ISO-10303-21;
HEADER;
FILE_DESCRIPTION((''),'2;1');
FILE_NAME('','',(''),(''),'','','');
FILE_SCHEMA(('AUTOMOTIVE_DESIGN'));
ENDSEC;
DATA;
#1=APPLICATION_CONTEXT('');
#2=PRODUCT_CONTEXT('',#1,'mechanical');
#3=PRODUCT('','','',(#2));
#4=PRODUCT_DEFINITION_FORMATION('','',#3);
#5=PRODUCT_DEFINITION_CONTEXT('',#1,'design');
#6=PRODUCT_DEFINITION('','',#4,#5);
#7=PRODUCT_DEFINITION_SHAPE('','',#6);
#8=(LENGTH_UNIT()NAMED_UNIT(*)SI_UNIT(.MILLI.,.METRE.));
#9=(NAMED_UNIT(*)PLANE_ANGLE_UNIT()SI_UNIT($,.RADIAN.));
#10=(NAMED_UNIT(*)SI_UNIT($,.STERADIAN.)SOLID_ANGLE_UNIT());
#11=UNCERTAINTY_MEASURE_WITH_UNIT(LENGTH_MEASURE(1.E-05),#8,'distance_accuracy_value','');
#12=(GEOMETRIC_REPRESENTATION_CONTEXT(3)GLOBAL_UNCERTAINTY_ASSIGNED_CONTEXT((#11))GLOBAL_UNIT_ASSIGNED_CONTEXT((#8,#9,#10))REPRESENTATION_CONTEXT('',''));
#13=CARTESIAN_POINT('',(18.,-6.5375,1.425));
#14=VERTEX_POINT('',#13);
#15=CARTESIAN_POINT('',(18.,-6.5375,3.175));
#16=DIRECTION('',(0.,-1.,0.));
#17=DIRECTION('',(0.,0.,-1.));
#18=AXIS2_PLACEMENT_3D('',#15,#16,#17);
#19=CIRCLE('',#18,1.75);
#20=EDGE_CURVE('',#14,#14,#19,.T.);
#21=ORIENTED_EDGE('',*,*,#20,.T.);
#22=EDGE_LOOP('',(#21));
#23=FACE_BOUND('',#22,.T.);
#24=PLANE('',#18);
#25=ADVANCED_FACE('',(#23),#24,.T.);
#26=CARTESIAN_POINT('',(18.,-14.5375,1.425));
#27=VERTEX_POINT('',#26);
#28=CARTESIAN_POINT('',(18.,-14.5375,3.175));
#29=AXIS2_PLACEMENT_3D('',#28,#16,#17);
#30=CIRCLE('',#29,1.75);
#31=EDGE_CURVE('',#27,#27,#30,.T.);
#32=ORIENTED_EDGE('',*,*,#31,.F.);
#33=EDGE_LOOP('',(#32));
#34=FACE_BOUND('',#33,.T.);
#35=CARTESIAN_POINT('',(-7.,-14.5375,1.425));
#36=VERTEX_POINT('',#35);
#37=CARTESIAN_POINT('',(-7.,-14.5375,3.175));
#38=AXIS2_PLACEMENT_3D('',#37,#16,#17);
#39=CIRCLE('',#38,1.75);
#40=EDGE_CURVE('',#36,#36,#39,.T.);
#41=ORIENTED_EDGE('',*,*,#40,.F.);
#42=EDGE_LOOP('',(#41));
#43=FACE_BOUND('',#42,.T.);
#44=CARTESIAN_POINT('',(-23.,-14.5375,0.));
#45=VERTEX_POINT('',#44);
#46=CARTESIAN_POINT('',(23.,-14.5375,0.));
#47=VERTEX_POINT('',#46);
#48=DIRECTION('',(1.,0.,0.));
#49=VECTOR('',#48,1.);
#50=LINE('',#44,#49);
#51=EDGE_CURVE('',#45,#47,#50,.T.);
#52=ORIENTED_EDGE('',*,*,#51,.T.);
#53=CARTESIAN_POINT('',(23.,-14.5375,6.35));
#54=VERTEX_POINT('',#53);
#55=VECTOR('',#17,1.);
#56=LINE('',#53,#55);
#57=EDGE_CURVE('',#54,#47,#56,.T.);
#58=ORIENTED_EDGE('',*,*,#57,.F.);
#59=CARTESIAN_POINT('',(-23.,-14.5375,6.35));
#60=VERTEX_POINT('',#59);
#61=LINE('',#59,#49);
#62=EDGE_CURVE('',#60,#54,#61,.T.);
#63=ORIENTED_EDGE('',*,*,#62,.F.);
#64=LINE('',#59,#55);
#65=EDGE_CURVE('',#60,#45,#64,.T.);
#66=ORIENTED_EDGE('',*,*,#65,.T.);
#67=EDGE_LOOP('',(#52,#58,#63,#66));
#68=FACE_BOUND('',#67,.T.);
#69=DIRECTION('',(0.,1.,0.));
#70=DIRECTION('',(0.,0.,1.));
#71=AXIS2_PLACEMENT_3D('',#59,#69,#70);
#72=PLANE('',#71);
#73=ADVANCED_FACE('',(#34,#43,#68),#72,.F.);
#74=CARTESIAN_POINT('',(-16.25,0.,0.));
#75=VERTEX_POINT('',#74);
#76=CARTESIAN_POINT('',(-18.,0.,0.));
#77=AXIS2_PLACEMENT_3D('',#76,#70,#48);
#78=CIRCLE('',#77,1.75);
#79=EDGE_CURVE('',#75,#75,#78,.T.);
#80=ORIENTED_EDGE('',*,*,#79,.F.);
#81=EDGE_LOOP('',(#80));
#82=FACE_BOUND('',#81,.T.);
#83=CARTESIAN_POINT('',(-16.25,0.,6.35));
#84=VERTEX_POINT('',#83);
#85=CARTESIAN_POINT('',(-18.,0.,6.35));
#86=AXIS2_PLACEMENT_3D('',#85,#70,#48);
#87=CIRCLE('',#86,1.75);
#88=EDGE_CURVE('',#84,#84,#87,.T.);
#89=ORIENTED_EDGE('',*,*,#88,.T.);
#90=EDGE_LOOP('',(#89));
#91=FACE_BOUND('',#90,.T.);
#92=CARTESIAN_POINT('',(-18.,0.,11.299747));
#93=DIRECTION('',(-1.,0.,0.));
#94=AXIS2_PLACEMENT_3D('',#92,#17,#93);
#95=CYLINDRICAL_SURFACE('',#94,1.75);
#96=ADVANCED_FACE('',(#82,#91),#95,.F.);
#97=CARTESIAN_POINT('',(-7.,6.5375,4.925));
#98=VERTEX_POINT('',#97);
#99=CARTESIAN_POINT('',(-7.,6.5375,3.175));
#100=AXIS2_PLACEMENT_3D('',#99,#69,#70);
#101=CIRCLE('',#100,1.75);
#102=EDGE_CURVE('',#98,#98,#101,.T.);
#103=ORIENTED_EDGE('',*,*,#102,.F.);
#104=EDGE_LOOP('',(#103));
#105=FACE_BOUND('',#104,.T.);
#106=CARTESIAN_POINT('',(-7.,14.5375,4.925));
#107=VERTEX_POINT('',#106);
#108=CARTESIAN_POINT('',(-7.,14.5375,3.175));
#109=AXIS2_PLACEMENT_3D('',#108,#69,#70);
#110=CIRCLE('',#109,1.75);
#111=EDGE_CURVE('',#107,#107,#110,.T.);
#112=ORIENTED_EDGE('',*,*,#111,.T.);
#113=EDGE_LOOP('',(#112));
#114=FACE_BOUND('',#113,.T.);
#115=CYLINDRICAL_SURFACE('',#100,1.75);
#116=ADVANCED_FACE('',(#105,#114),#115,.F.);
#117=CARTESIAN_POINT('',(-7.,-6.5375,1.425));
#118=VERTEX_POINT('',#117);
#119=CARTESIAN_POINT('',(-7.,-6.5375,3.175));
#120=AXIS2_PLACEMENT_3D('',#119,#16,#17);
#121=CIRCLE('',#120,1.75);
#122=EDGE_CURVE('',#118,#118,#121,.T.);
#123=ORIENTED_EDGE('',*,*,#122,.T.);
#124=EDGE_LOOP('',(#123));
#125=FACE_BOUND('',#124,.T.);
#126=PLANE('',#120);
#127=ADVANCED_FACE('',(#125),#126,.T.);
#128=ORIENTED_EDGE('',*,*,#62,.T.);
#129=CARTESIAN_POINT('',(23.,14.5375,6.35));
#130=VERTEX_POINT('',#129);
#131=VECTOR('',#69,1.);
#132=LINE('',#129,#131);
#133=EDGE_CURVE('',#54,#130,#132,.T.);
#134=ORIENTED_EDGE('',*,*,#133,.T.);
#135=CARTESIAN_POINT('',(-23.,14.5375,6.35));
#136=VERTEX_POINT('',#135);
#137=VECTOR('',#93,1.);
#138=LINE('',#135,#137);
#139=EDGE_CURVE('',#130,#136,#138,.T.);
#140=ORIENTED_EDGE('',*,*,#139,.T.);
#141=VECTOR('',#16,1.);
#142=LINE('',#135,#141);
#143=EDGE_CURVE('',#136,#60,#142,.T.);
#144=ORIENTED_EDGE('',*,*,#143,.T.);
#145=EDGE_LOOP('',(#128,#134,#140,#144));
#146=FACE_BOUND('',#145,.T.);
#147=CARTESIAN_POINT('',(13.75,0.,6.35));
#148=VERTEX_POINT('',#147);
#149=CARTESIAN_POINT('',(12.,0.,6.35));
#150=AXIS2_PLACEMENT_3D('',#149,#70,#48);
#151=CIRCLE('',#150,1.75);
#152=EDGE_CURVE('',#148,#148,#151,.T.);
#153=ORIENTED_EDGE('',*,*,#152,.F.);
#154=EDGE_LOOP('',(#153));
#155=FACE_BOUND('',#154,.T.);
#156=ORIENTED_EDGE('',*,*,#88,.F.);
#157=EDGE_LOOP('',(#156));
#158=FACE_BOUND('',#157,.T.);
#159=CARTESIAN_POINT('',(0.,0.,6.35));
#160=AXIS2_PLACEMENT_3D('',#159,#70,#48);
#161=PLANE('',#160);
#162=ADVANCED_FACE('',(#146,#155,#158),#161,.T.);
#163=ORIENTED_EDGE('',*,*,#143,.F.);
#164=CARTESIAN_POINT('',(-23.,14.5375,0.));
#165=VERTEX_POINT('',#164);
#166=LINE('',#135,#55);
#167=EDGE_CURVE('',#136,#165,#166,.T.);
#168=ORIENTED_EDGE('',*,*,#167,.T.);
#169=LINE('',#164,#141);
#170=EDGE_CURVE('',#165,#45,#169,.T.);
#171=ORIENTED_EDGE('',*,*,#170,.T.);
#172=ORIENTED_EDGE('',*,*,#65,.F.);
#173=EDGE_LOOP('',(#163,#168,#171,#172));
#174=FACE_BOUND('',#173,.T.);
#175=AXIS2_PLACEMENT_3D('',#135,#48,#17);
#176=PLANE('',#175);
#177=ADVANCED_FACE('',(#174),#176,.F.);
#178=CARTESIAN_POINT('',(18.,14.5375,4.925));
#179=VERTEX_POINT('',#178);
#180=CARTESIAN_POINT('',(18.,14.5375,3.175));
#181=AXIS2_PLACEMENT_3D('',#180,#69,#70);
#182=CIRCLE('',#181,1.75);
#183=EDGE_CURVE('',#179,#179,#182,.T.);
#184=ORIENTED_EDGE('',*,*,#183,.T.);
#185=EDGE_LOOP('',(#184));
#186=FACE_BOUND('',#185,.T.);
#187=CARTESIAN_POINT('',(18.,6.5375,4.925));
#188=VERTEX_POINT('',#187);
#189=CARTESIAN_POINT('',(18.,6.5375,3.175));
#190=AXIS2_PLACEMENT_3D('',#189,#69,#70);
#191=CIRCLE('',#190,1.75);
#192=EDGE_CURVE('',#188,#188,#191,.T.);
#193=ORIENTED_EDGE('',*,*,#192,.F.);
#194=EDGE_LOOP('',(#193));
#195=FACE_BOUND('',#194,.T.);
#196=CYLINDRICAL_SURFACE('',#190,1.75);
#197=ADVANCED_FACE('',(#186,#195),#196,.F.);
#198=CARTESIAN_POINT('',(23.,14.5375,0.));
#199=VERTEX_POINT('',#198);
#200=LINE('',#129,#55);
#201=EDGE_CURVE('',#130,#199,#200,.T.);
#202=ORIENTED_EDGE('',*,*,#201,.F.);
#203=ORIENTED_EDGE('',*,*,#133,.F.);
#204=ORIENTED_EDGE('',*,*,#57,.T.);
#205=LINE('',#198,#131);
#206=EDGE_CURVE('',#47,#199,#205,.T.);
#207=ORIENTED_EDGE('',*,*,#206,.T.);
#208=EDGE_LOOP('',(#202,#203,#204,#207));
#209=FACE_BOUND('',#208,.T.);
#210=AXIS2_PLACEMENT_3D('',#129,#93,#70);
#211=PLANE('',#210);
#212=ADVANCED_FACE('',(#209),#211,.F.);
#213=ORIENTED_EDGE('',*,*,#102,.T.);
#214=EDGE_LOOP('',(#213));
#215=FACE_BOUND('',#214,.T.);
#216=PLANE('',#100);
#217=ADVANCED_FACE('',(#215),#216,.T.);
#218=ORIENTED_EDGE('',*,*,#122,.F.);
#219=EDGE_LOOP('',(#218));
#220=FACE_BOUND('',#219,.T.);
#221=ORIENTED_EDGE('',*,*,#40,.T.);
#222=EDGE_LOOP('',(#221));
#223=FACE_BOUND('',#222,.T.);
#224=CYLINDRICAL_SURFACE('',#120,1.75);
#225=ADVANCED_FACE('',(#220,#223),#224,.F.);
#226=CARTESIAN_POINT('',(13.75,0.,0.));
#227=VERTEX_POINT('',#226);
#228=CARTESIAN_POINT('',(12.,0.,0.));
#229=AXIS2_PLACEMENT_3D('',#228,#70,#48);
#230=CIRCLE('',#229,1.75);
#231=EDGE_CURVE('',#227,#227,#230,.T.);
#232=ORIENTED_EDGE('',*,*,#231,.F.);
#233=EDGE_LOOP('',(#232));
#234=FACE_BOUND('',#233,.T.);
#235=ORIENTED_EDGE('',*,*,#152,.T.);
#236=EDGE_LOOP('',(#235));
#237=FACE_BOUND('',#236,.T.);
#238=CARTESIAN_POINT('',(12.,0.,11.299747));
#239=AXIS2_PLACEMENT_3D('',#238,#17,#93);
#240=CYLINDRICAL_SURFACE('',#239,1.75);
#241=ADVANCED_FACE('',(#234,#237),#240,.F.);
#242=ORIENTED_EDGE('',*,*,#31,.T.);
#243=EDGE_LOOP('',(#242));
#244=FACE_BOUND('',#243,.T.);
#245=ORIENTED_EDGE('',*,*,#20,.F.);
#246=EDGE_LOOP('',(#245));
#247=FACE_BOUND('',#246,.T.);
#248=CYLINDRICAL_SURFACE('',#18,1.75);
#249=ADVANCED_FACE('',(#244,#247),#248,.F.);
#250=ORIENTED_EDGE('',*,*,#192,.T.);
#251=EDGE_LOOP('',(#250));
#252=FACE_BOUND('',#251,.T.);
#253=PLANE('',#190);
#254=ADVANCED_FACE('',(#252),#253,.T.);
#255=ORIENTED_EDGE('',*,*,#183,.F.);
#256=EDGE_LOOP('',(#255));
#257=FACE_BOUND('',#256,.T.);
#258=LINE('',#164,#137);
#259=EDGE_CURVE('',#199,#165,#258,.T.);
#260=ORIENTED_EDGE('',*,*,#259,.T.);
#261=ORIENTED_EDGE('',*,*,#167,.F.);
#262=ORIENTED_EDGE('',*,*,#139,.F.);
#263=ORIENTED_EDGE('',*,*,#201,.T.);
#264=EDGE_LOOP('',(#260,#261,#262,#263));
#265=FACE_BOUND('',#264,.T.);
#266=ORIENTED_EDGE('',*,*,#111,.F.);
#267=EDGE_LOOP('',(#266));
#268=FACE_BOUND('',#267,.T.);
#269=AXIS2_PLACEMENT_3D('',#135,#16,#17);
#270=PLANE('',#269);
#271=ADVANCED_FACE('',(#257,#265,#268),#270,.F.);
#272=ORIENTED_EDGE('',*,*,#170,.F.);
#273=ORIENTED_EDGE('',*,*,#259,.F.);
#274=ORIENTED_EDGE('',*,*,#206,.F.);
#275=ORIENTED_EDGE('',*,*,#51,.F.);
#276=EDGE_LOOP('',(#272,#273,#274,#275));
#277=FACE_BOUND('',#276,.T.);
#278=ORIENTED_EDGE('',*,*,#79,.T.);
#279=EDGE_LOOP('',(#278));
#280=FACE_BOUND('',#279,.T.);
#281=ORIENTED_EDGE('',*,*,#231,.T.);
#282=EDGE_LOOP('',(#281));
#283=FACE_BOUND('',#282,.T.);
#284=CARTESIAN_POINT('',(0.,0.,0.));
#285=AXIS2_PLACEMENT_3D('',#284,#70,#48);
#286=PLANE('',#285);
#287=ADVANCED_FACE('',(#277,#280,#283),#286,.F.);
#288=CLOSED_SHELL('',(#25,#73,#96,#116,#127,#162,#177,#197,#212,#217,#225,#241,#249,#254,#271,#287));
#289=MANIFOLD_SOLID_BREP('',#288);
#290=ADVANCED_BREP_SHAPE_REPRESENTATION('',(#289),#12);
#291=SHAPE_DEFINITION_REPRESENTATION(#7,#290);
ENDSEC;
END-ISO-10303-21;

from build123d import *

# Parameters (mm, degrees)
SKETCH1_W         = 46
SKETCH1_H         = 29.075
EXTRUDE_1_4_DEPTH = 6.35
SKETCH2_R         = 1.75
M4_DRILL_DEPTH    = 6.35
SKETCH3_R         = 1.75
M4_DRILL2_DEPTH   = 8
M4_DRILL3_START   = -8
SKETCH4_R         = 1.75
M4_DRILL3_DEPTH   = 8


with BuildPart() as part:
    # Sketch1 → 1/4 (new body)
    with BuildSketch(Plane.XY):
        Rectangle(SKETCH1_W, SKETCH1_H)
    extrude(amount=EXTRUDE_1_4_DEPTH)

    # Sketch2 → M4_DRILL (cut)
    with BuildSketch(Plane.XY):
        with Locations((-18, 0)):
            Circle(SKETCH2_R)
        with Locations((12, 0)):
            Circle(SKETCH2_R)
    extrude(amount=M4_DRILL_DEPTH, mode=Mode.SUBTRACT)

    # Sketch3 → M4_DRILL2 (cut)
    with BuildSketch(Plane.XZ.offset(14.5375)):
        with Locations(Location((-7, 3.175, 0), (0, 0, 270))):
            Circle(SKETCH3_R)
        with Locations(Location((18, 3.175, 0), (0, 0, 270))):
            Circle(SKETCH3_R)
    extrude(amount=-M4_DRILL2_DEPTH, mode=Mode.SUBTRACT)

    # Sketch4 → M4_DRILL3 (cut)
    with BuildSketch(Plane(origin=(0, 14.5375, 0), x_dir=(1, 0, 0), z_dir=(0, 1, 0)).offset(M4_DRILL3_START)):
        with Locations(Location((18, -3.175, 0), (0, 0, 90))):
            Circle(SKETCH4_R)
        with Locations(Location((-7, -3.175, 0), (0, 0, 90))):
            Circle(SKETCH4_R)
    extrude(amount=M4_DRILL3_DEPTH, mode=Mode.SUBTRACT)


solid = part.part
